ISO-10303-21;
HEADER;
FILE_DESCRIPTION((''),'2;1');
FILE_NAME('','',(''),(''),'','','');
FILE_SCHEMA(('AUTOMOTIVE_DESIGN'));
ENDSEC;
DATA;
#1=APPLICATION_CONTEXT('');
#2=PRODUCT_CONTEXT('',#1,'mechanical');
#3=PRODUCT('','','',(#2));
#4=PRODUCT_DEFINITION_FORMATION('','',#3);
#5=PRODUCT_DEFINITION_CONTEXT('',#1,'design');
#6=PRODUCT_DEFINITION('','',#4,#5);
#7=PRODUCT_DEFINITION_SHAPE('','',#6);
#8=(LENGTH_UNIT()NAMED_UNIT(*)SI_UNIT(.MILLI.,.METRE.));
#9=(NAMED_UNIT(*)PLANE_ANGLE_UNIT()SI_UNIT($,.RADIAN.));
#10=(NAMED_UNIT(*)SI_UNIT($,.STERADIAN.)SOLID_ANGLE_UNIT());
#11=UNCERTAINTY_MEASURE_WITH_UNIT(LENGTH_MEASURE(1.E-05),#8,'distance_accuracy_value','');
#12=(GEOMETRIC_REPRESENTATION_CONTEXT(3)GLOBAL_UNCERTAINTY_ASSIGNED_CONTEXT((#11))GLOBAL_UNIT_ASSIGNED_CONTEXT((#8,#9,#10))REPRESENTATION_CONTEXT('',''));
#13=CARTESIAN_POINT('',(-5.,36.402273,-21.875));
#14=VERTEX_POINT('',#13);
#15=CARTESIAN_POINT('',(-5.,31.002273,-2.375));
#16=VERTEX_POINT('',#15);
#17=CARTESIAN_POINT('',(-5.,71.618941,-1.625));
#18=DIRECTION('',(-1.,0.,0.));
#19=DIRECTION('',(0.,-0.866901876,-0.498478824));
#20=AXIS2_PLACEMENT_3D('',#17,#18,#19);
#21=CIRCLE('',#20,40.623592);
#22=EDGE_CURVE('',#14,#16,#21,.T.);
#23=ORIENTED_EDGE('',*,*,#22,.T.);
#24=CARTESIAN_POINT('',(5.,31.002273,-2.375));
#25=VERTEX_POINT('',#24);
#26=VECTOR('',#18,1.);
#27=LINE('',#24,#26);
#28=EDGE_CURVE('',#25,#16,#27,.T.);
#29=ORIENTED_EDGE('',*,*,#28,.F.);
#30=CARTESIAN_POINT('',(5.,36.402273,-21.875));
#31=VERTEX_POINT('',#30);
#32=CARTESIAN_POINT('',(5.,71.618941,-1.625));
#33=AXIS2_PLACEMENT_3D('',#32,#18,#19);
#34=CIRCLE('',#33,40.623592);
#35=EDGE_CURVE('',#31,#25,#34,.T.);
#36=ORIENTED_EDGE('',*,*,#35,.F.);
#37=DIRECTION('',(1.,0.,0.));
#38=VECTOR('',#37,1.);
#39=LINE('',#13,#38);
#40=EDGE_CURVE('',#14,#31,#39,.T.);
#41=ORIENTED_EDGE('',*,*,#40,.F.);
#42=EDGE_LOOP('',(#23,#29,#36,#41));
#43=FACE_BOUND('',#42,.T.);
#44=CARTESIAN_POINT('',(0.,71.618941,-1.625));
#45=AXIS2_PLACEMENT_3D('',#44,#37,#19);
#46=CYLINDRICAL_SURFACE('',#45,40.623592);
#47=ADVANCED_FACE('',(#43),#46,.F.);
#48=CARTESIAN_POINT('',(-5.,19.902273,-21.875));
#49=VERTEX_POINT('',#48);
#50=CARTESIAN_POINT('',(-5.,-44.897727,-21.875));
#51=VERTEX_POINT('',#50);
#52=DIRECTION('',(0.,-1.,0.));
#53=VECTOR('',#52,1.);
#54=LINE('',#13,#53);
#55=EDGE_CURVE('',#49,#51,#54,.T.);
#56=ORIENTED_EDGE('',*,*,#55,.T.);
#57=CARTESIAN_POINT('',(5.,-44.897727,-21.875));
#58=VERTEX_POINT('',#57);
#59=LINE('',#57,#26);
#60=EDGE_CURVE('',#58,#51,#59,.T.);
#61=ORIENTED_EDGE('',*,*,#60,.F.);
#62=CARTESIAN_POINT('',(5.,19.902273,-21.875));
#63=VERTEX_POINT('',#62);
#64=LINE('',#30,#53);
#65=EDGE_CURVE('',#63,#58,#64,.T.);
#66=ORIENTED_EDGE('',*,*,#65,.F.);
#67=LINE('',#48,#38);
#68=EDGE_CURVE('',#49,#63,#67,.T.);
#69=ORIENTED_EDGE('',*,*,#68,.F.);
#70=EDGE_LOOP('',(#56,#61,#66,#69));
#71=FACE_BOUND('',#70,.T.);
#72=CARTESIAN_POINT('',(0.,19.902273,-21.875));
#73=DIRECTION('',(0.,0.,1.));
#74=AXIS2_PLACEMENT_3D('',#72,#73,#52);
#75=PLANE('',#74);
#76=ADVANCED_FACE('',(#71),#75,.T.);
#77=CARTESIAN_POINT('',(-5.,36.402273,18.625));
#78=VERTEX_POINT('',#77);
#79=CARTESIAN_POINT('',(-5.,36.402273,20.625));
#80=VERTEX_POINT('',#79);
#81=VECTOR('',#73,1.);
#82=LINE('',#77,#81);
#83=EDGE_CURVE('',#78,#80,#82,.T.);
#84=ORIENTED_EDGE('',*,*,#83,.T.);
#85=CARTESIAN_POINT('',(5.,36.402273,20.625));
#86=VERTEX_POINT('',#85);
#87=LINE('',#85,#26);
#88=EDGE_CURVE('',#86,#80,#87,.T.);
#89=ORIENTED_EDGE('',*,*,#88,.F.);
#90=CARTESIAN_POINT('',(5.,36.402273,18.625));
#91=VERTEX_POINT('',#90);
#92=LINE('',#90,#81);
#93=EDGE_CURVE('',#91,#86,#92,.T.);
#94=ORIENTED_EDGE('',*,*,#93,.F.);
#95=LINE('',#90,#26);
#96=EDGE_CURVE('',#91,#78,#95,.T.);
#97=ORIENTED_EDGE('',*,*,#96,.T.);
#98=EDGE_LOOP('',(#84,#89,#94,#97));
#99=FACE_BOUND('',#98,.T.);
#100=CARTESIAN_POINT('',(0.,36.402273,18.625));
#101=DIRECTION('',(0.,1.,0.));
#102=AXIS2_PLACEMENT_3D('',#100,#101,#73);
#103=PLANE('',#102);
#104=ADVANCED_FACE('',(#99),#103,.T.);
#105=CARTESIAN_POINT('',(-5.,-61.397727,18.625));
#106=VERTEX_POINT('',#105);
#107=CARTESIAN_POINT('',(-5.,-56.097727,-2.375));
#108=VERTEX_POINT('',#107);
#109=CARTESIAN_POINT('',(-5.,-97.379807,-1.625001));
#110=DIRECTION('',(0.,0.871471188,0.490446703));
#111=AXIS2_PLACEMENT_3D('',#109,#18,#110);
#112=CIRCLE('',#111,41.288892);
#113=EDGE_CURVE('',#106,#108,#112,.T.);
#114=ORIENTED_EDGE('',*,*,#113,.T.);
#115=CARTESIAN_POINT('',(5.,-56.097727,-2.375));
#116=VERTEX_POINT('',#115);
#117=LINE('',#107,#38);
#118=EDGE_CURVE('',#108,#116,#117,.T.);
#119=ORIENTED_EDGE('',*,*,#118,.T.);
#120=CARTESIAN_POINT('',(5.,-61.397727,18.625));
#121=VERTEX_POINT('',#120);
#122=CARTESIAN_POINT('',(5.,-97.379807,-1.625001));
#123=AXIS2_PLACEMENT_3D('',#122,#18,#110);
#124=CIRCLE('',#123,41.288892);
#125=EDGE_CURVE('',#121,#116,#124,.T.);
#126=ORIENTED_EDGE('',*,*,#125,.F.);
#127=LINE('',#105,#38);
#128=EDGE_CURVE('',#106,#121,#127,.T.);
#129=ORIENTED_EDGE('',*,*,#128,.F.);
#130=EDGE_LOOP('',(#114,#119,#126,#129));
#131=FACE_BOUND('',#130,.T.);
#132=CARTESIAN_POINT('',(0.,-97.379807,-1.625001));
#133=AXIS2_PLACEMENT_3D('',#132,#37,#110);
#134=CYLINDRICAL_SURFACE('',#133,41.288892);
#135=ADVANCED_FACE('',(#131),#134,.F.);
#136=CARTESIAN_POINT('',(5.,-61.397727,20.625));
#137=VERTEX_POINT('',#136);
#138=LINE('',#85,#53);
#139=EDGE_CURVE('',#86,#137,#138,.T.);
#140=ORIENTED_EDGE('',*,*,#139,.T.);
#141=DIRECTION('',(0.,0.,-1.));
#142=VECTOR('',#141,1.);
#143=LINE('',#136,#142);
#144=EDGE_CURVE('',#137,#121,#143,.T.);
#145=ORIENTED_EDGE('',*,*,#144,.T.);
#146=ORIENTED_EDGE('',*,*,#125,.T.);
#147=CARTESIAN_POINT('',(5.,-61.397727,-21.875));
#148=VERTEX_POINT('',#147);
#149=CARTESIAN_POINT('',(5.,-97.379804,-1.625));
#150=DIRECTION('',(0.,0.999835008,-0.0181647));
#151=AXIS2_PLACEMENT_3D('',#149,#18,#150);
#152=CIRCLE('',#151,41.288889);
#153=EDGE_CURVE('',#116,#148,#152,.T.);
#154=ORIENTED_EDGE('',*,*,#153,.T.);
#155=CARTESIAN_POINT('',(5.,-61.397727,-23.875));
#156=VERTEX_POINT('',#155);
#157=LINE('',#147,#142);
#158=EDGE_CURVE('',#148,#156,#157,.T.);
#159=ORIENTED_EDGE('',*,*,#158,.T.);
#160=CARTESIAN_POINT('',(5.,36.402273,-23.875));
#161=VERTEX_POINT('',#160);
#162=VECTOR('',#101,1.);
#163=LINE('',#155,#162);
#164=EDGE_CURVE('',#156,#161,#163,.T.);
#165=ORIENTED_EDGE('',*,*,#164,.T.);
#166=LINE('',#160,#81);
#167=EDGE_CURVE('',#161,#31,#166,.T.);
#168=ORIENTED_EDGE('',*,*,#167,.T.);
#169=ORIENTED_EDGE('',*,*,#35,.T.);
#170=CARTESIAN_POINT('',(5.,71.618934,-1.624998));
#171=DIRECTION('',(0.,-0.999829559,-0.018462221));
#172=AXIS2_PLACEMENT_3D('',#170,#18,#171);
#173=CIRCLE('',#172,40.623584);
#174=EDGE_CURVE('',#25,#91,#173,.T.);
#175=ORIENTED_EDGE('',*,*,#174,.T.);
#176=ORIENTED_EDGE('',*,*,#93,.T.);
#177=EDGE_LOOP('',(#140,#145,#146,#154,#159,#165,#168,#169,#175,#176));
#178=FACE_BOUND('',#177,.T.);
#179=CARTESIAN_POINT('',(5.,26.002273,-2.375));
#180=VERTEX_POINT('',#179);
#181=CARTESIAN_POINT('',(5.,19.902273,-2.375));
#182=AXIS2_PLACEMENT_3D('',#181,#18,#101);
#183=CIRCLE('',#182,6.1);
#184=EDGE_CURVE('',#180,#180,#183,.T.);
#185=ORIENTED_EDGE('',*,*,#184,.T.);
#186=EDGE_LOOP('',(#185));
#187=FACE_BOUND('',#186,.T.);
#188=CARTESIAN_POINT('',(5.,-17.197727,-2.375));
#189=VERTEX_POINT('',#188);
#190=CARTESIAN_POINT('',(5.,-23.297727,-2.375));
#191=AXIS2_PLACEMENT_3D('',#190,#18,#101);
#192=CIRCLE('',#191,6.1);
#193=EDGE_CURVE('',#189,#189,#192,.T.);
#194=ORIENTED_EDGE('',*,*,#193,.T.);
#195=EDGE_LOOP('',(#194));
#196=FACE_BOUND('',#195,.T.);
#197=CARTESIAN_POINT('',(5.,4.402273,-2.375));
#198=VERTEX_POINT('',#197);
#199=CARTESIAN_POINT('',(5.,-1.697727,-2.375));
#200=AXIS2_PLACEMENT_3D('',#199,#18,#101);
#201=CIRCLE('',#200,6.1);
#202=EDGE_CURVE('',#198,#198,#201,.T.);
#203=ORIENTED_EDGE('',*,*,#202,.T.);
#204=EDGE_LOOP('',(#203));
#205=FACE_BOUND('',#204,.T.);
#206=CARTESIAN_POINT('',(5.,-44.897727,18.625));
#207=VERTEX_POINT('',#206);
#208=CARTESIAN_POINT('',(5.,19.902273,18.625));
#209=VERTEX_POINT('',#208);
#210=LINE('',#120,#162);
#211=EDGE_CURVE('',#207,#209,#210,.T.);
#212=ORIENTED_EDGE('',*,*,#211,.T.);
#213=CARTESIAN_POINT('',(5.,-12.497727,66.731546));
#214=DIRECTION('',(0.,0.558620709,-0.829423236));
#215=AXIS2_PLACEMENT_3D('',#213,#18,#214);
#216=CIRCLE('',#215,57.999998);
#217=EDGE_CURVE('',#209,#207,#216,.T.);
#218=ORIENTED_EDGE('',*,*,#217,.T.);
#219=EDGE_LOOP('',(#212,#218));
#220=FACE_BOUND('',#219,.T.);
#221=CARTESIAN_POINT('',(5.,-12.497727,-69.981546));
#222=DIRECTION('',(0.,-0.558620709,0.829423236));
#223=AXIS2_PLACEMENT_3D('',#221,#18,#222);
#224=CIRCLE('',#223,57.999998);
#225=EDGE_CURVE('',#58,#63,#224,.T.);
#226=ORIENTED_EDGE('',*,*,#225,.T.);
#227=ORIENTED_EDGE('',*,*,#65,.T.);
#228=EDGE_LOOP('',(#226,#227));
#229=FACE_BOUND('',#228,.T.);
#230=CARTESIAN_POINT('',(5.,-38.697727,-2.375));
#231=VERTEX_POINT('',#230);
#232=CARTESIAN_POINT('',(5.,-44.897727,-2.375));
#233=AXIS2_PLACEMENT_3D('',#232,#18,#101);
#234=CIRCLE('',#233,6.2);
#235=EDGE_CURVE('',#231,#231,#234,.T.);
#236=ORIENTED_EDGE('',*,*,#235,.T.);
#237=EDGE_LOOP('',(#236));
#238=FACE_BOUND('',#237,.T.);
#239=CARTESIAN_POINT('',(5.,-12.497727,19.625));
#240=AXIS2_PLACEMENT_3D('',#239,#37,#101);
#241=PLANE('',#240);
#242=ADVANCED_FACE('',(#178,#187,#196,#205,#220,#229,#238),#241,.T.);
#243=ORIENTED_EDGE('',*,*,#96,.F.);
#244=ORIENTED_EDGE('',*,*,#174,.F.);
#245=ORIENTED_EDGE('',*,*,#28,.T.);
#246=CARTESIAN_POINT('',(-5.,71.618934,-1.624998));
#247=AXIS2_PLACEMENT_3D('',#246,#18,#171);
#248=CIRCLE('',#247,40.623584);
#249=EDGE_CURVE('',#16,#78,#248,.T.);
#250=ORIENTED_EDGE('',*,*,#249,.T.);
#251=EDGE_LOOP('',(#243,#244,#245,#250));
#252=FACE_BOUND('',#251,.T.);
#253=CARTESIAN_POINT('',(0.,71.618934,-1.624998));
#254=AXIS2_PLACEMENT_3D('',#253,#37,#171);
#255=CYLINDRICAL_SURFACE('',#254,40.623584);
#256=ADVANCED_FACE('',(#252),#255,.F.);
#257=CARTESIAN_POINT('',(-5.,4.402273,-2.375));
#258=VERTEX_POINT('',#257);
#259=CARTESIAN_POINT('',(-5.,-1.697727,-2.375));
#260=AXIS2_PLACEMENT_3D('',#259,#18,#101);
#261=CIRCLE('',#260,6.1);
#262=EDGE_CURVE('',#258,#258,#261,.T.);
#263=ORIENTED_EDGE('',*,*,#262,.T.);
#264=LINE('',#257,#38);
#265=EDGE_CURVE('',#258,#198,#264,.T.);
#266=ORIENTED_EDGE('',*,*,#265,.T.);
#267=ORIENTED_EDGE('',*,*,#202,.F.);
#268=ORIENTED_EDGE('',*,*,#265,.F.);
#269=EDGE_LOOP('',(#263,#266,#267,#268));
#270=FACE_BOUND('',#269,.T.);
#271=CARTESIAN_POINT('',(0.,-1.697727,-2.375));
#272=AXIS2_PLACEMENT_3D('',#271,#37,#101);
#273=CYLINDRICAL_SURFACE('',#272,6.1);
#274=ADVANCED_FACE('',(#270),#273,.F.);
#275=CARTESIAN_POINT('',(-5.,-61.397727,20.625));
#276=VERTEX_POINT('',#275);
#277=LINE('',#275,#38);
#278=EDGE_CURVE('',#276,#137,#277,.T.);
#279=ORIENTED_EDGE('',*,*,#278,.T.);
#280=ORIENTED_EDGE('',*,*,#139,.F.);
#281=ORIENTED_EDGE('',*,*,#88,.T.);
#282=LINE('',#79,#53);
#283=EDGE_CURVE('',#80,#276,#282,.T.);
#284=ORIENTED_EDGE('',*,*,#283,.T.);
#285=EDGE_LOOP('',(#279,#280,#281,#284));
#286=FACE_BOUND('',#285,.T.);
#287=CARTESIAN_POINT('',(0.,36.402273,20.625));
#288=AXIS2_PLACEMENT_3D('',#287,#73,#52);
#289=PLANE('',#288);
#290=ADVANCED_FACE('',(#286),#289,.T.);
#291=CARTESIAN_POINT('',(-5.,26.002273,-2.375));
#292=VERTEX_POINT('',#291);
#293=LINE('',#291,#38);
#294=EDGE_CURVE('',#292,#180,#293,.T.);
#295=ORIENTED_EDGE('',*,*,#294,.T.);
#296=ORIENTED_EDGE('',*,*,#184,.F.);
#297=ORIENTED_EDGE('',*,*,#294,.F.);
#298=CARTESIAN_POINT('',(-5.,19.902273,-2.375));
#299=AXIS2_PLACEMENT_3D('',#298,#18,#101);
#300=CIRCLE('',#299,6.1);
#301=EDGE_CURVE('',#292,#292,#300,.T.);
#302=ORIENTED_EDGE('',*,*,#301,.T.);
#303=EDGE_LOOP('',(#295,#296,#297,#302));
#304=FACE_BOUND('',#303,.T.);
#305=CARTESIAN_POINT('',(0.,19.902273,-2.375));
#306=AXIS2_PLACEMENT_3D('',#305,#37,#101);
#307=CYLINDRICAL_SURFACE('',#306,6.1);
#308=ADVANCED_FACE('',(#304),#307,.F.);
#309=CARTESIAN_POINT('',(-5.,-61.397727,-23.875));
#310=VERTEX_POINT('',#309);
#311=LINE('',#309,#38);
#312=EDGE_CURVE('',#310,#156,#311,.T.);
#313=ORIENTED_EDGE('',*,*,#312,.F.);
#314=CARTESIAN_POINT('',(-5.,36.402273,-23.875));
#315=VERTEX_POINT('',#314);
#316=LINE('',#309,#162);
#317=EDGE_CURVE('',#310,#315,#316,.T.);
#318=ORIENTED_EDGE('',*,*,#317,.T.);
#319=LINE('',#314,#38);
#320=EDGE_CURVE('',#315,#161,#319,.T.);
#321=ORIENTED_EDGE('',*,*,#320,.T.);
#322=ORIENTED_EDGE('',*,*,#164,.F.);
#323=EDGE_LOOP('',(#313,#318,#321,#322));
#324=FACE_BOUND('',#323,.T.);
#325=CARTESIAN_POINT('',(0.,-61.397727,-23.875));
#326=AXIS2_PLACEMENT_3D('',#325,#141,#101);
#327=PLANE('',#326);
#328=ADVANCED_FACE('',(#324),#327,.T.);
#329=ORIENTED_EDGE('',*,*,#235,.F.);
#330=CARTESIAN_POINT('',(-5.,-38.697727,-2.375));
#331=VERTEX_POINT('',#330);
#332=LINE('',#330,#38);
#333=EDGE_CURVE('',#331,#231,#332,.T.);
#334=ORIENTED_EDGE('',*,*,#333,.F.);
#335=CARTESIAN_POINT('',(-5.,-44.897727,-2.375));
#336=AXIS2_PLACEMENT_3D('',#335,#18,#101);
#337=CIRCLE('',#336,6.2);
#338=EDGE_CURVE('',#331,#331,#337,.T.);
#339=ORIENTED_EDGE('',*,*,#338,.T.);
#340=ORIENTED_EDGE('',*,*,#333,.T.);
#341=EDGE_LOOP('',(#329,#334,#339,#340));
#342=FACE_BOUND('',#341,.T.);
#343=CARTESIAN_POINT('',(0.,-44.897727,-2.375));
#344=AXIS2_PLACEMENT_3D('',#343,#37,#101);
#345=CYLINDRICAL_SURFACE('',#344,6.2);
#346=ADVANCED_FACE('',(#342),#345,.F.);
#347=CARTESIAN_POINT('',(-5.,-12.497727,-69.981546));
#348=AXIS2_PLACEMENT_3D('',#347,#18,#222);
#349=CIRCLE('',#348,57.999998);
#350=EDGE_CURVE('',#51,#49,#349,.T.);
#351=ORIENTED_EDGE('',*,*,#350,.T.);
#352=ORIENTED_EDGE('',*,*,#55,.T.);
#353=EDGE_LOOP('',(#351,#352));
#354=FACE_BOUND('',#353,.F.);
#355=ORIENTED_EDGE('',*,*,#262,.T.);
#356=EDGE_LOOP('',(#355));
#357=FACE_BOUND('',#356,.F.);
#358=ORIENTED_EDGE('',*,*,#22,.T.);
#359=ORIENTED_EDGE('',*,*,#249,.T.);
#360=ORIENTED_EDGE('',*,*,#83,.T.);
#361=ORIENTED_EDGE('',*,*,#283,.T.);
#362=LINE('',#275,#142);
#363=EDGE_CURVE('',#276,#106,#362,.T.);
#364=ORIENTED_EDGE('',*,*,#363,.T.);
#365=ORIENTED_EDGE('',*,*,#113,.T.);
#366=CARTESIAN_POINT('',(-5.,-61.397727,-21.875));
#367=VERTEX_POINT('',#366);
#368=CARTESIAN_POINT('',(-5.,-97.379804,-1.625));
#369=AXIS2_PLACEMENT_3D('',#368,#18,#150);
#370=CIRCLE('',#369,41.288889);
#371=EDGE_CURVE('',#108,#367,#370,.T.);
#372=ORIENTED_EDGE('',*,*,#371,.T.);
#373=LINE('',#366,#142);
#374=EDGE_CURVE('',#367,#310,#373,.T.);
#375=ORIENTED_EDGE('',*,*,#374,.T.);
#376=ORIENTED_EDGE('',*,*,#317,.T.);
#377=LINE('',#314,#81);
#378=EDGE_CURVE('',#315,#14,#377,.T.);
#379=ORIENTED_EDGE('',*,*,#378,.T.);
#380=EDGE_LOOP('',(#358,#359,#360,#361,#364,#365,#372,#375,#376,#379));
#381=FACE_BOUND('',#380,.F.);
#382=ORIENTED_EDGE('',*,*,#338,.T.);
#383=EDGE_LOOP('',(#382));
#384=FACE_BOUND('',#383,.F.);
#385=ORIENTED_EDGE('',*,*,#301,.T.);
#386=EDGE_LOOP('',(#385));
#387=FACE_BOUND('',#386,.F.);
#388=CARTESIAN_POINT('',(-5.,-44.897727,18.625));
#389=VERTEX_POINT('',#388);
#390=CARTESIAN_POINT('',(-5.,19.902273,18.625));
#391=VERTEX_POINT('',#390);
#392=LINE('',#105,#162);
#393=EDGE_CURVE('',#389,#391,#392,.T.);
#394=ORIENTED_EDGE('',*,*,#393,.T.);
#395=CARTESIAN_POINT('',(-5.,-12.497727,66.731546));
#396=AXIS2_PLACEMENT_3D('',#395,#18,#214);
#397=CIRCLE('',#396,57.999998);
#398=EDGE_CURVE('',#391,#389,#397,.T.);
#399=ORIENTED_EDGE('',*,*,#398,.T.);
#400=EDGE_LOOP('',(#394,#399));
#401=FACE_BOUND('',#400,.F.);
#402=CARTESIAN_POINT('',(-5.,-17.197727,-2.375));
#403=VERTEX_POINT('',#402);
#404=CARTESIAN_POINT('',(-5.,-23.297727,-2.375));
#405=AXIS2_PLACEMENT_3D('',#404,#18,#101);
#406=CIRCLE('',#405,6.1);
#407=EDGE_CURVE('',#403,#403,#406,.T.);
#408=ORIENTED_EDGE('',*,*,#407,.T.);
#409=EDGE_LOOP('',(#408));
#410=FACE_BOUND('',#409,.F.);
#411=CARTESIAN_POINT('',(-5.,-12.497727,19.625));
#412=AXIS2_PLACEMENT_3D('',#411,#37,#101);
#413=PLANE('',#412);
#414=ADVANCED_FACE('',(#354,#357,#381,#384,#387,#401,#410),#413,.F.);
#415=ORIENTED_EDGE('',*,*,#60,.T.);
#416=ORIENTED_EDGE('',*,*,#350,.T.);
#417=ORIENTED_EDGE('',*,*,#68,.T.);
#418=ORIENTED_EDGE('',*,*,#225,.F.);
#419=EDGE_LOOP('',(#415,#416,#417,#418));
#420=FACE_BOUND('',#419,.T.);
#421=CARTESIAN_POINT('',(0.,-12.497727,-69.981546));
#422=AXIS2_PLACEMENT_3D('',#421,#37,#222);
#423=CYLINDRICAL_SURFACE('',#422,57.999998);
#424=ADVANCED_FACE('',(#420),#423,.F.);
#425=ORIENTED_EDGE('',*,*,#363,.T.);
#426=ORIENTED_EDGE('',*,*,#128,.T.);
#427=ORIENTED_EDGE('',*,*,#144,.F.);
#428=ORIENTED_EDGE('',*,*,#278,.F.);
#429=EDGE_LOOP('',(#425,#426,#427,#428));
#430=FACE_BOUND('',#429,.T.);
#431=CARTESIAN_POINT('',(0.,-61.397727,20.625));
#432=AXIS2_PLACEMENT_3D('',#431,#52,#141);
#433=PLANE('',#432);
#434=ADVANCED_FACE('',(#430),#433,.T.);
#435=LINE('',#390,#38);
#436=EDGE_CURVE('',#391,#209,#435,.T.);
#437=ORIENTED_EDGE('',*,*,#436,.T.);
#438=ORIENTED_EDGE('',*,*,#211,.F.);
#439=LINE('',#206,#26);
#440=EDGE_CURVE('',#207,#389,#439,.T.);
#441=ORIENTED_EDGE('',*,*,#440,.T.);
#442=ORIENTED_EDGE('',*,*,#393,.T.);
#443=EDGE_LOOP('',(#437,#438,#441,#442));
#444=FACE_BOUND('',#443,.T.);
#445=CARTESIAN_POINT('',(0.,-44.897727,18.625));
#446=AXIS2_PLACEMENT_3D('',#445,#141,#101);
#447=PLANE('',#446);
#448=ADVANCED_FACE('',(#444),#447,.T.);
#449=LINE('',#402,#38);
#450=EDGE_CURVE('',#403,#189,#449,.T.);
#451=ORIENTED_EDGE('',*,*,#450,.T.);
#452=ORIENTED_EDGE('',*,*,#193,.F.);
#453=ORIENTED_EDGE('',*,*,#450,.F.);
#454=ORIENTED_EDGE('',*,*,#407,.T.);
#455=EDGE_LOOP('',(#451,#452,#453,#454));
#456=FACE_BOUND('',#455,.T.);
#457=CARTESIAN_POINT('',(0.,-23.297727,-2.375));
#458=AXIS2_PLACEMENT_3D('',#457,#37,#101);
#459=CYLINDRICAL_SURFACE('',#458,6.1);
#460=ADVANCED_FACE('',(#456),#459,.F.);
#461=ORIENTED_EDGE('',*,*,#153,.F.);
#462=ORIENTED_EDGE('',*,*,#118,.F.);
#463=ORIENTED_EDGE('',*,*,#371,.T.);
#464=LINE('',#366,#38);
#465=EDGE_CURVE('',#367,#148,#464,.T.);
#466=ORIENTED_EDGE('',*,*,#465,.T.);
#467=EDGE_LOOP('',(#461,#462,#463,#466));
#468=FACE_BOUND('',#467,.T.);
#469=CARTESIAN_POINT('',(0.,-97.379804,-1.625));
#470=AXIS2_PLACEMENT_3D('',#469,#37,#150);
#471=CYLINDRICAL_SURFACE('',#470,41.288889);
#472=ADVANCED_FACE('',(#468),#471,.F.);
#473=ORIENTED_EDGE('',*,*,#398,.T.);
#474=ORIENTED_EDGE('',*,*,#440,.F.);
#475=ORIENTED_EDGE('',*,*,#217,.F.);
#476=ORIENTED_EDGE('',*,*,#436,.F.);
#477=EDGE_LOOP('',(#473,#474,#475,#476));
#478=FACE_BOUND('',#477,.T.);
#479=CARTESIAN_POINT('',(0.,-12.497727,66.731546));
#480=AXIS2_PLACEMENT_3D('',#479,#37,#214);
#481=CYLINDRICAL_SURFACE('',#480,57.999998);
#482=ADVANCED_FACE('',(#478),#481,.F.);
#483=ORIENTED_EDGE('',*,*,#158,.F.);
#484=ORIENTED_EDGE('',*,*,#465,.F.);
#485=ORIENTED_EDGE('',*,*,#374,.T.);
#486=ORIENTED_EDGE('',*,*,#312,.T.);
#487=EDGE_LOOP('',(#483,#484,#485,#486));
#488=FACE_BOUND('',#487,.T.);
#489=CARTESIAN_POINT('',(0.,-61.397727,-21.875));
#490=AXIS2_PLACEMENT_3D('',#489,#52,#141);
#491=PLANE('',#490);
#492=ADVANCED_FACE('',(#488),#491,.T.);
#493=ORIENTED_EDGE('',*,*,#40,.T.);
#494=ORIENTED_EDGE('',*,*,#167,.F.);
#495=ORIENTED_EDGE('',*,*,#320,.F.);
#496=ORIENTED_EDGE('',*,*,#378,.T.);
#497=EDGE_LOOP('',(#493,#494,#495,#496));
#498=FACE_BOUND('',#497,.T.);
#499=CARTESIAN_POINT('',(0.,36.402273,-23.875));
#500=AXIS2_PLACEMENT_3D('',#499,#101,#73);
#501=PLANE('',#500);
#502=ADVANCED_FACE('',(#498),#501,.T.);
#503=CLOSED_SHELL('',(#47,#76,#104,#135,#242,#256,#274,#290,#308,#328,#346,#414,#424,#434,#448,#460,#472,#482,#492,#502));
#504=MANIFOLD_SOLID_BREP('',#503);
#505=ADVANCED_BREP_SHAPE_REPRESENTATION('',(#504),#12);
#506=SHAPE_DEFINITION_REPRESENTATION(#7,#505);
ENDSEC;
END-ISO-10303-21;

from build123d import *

# Parameters (mm, degrees)
F1_DEPTH = 5


with BuildPart() as f1:
    # F0 (on Right) → F1 (new body, symmetric)
    with BuildSketch(Plane.YZ):
        Polygon((36.402273, 20.625), (14.802273, 20.625), (-61.397727, 20.625), (-61.397727, 18.625), (-44.897727, 18.625), (14.802273, 18.625), (19.902273, 18.625), (36.402273, 18.625), align=None)
        Polygon((-44.897727, -21.875), (-61.397727, -21.875), (-61.397727, -23.875), (14.802273, -23.875), (36.402273, -23.875), (36.402273, -21.875), (19.902273, -21.875), (14.802273, -21.875), align=None)
        with BuildLine():
            Line((-51.097727, -2.375), (-56.097727, -2.375))
            ThreePointArc((-56.097727, -2.375), (-57.536362, -12.454243), (-61.397727, -21.875))
            Line((-61.397727, -21.875), (-44.897727, -21.875))
            ThreePointArc((-44.897727, -21.875), (-12.497727, -11.981548), (19.902273, -21.875))
            Line((19.902273, -21.875), (36.402273, -21.875))
            ThreePointArc((36.402273, -21.875), (32.468766, -12.466587), (31.002273, -2.375))
            Line((31.002273, -2.375), (26.002273, -2.375))
            ThreePointArc((26.002273, -2.375), (19.902273, -8.475), (13.802273, -2.375))
            Line((13.802273, -2.375), (4.402273, -2.375))
            ThreePointArc((4.402273, -2.375), (-1.697727, -8.475), (-7.797727, -2.375))
            Line((-7.797727, -2.375), (-17.197727, -2.375))
            ThreePointArc((-17.197727, -2.375), (-23.297727, -8.475), (-29.397727, -2.375))
            Line((-29.397727, -2.375), (-38.697727, -2.375))
            ThreePointArc((-38.697727, -2.375), (-44.897727, -8.575), (-51.097727, -2.375))
        make_face()
        with BuildLine():
            Line((-44.897727, 18.625), (-61.397727, 18.625))
            ThreePointArc((-61.397727, 18.625), (-57.346226, 8.478712), (-56.097727, -2.375))
            Line((-56.097727, -2.375), (-51.097727, -2.375))
            ThreePointArc((-51.097727, -2.375), (-44.897727, 3.825), (-38.697727, -2.375))
            Line((-38.697727, -2.375), (-29.397727, -2.375))
            ThreePointArc((-29.397727, -2.375), (-23.297727, 3.725), (-17.197727, -2.375))
            Line((-17.197727, -2.375), (-7.797727, -2.375))
            ThreePointArc((-7.797727, -2.375), (-1.697727, 3.725), (4.402273, -2.375))
            Line((4.402273, -2.375), (13.802273, -2.375))
            ThreePointArc((13.802273, -2.375), (19.902273, 3.725), (26.002273, -2.375))
            Line((26.002273, -2.375), (31.002273, -2.375))
            ThreePointArc((31.002273, -2.375), (32.275279, 8.491941), (36.402273, 18.625))
            Line((36.402273, 18.625), (19.902273, 18.625))
            ThreePointArc((19.902273, 18.625), (-12.497727, 8.731548), (-44.897727, 18.625))
        make_face()
    extrude(amount=F1_DEPTH, both=True)


solid = f1.part
